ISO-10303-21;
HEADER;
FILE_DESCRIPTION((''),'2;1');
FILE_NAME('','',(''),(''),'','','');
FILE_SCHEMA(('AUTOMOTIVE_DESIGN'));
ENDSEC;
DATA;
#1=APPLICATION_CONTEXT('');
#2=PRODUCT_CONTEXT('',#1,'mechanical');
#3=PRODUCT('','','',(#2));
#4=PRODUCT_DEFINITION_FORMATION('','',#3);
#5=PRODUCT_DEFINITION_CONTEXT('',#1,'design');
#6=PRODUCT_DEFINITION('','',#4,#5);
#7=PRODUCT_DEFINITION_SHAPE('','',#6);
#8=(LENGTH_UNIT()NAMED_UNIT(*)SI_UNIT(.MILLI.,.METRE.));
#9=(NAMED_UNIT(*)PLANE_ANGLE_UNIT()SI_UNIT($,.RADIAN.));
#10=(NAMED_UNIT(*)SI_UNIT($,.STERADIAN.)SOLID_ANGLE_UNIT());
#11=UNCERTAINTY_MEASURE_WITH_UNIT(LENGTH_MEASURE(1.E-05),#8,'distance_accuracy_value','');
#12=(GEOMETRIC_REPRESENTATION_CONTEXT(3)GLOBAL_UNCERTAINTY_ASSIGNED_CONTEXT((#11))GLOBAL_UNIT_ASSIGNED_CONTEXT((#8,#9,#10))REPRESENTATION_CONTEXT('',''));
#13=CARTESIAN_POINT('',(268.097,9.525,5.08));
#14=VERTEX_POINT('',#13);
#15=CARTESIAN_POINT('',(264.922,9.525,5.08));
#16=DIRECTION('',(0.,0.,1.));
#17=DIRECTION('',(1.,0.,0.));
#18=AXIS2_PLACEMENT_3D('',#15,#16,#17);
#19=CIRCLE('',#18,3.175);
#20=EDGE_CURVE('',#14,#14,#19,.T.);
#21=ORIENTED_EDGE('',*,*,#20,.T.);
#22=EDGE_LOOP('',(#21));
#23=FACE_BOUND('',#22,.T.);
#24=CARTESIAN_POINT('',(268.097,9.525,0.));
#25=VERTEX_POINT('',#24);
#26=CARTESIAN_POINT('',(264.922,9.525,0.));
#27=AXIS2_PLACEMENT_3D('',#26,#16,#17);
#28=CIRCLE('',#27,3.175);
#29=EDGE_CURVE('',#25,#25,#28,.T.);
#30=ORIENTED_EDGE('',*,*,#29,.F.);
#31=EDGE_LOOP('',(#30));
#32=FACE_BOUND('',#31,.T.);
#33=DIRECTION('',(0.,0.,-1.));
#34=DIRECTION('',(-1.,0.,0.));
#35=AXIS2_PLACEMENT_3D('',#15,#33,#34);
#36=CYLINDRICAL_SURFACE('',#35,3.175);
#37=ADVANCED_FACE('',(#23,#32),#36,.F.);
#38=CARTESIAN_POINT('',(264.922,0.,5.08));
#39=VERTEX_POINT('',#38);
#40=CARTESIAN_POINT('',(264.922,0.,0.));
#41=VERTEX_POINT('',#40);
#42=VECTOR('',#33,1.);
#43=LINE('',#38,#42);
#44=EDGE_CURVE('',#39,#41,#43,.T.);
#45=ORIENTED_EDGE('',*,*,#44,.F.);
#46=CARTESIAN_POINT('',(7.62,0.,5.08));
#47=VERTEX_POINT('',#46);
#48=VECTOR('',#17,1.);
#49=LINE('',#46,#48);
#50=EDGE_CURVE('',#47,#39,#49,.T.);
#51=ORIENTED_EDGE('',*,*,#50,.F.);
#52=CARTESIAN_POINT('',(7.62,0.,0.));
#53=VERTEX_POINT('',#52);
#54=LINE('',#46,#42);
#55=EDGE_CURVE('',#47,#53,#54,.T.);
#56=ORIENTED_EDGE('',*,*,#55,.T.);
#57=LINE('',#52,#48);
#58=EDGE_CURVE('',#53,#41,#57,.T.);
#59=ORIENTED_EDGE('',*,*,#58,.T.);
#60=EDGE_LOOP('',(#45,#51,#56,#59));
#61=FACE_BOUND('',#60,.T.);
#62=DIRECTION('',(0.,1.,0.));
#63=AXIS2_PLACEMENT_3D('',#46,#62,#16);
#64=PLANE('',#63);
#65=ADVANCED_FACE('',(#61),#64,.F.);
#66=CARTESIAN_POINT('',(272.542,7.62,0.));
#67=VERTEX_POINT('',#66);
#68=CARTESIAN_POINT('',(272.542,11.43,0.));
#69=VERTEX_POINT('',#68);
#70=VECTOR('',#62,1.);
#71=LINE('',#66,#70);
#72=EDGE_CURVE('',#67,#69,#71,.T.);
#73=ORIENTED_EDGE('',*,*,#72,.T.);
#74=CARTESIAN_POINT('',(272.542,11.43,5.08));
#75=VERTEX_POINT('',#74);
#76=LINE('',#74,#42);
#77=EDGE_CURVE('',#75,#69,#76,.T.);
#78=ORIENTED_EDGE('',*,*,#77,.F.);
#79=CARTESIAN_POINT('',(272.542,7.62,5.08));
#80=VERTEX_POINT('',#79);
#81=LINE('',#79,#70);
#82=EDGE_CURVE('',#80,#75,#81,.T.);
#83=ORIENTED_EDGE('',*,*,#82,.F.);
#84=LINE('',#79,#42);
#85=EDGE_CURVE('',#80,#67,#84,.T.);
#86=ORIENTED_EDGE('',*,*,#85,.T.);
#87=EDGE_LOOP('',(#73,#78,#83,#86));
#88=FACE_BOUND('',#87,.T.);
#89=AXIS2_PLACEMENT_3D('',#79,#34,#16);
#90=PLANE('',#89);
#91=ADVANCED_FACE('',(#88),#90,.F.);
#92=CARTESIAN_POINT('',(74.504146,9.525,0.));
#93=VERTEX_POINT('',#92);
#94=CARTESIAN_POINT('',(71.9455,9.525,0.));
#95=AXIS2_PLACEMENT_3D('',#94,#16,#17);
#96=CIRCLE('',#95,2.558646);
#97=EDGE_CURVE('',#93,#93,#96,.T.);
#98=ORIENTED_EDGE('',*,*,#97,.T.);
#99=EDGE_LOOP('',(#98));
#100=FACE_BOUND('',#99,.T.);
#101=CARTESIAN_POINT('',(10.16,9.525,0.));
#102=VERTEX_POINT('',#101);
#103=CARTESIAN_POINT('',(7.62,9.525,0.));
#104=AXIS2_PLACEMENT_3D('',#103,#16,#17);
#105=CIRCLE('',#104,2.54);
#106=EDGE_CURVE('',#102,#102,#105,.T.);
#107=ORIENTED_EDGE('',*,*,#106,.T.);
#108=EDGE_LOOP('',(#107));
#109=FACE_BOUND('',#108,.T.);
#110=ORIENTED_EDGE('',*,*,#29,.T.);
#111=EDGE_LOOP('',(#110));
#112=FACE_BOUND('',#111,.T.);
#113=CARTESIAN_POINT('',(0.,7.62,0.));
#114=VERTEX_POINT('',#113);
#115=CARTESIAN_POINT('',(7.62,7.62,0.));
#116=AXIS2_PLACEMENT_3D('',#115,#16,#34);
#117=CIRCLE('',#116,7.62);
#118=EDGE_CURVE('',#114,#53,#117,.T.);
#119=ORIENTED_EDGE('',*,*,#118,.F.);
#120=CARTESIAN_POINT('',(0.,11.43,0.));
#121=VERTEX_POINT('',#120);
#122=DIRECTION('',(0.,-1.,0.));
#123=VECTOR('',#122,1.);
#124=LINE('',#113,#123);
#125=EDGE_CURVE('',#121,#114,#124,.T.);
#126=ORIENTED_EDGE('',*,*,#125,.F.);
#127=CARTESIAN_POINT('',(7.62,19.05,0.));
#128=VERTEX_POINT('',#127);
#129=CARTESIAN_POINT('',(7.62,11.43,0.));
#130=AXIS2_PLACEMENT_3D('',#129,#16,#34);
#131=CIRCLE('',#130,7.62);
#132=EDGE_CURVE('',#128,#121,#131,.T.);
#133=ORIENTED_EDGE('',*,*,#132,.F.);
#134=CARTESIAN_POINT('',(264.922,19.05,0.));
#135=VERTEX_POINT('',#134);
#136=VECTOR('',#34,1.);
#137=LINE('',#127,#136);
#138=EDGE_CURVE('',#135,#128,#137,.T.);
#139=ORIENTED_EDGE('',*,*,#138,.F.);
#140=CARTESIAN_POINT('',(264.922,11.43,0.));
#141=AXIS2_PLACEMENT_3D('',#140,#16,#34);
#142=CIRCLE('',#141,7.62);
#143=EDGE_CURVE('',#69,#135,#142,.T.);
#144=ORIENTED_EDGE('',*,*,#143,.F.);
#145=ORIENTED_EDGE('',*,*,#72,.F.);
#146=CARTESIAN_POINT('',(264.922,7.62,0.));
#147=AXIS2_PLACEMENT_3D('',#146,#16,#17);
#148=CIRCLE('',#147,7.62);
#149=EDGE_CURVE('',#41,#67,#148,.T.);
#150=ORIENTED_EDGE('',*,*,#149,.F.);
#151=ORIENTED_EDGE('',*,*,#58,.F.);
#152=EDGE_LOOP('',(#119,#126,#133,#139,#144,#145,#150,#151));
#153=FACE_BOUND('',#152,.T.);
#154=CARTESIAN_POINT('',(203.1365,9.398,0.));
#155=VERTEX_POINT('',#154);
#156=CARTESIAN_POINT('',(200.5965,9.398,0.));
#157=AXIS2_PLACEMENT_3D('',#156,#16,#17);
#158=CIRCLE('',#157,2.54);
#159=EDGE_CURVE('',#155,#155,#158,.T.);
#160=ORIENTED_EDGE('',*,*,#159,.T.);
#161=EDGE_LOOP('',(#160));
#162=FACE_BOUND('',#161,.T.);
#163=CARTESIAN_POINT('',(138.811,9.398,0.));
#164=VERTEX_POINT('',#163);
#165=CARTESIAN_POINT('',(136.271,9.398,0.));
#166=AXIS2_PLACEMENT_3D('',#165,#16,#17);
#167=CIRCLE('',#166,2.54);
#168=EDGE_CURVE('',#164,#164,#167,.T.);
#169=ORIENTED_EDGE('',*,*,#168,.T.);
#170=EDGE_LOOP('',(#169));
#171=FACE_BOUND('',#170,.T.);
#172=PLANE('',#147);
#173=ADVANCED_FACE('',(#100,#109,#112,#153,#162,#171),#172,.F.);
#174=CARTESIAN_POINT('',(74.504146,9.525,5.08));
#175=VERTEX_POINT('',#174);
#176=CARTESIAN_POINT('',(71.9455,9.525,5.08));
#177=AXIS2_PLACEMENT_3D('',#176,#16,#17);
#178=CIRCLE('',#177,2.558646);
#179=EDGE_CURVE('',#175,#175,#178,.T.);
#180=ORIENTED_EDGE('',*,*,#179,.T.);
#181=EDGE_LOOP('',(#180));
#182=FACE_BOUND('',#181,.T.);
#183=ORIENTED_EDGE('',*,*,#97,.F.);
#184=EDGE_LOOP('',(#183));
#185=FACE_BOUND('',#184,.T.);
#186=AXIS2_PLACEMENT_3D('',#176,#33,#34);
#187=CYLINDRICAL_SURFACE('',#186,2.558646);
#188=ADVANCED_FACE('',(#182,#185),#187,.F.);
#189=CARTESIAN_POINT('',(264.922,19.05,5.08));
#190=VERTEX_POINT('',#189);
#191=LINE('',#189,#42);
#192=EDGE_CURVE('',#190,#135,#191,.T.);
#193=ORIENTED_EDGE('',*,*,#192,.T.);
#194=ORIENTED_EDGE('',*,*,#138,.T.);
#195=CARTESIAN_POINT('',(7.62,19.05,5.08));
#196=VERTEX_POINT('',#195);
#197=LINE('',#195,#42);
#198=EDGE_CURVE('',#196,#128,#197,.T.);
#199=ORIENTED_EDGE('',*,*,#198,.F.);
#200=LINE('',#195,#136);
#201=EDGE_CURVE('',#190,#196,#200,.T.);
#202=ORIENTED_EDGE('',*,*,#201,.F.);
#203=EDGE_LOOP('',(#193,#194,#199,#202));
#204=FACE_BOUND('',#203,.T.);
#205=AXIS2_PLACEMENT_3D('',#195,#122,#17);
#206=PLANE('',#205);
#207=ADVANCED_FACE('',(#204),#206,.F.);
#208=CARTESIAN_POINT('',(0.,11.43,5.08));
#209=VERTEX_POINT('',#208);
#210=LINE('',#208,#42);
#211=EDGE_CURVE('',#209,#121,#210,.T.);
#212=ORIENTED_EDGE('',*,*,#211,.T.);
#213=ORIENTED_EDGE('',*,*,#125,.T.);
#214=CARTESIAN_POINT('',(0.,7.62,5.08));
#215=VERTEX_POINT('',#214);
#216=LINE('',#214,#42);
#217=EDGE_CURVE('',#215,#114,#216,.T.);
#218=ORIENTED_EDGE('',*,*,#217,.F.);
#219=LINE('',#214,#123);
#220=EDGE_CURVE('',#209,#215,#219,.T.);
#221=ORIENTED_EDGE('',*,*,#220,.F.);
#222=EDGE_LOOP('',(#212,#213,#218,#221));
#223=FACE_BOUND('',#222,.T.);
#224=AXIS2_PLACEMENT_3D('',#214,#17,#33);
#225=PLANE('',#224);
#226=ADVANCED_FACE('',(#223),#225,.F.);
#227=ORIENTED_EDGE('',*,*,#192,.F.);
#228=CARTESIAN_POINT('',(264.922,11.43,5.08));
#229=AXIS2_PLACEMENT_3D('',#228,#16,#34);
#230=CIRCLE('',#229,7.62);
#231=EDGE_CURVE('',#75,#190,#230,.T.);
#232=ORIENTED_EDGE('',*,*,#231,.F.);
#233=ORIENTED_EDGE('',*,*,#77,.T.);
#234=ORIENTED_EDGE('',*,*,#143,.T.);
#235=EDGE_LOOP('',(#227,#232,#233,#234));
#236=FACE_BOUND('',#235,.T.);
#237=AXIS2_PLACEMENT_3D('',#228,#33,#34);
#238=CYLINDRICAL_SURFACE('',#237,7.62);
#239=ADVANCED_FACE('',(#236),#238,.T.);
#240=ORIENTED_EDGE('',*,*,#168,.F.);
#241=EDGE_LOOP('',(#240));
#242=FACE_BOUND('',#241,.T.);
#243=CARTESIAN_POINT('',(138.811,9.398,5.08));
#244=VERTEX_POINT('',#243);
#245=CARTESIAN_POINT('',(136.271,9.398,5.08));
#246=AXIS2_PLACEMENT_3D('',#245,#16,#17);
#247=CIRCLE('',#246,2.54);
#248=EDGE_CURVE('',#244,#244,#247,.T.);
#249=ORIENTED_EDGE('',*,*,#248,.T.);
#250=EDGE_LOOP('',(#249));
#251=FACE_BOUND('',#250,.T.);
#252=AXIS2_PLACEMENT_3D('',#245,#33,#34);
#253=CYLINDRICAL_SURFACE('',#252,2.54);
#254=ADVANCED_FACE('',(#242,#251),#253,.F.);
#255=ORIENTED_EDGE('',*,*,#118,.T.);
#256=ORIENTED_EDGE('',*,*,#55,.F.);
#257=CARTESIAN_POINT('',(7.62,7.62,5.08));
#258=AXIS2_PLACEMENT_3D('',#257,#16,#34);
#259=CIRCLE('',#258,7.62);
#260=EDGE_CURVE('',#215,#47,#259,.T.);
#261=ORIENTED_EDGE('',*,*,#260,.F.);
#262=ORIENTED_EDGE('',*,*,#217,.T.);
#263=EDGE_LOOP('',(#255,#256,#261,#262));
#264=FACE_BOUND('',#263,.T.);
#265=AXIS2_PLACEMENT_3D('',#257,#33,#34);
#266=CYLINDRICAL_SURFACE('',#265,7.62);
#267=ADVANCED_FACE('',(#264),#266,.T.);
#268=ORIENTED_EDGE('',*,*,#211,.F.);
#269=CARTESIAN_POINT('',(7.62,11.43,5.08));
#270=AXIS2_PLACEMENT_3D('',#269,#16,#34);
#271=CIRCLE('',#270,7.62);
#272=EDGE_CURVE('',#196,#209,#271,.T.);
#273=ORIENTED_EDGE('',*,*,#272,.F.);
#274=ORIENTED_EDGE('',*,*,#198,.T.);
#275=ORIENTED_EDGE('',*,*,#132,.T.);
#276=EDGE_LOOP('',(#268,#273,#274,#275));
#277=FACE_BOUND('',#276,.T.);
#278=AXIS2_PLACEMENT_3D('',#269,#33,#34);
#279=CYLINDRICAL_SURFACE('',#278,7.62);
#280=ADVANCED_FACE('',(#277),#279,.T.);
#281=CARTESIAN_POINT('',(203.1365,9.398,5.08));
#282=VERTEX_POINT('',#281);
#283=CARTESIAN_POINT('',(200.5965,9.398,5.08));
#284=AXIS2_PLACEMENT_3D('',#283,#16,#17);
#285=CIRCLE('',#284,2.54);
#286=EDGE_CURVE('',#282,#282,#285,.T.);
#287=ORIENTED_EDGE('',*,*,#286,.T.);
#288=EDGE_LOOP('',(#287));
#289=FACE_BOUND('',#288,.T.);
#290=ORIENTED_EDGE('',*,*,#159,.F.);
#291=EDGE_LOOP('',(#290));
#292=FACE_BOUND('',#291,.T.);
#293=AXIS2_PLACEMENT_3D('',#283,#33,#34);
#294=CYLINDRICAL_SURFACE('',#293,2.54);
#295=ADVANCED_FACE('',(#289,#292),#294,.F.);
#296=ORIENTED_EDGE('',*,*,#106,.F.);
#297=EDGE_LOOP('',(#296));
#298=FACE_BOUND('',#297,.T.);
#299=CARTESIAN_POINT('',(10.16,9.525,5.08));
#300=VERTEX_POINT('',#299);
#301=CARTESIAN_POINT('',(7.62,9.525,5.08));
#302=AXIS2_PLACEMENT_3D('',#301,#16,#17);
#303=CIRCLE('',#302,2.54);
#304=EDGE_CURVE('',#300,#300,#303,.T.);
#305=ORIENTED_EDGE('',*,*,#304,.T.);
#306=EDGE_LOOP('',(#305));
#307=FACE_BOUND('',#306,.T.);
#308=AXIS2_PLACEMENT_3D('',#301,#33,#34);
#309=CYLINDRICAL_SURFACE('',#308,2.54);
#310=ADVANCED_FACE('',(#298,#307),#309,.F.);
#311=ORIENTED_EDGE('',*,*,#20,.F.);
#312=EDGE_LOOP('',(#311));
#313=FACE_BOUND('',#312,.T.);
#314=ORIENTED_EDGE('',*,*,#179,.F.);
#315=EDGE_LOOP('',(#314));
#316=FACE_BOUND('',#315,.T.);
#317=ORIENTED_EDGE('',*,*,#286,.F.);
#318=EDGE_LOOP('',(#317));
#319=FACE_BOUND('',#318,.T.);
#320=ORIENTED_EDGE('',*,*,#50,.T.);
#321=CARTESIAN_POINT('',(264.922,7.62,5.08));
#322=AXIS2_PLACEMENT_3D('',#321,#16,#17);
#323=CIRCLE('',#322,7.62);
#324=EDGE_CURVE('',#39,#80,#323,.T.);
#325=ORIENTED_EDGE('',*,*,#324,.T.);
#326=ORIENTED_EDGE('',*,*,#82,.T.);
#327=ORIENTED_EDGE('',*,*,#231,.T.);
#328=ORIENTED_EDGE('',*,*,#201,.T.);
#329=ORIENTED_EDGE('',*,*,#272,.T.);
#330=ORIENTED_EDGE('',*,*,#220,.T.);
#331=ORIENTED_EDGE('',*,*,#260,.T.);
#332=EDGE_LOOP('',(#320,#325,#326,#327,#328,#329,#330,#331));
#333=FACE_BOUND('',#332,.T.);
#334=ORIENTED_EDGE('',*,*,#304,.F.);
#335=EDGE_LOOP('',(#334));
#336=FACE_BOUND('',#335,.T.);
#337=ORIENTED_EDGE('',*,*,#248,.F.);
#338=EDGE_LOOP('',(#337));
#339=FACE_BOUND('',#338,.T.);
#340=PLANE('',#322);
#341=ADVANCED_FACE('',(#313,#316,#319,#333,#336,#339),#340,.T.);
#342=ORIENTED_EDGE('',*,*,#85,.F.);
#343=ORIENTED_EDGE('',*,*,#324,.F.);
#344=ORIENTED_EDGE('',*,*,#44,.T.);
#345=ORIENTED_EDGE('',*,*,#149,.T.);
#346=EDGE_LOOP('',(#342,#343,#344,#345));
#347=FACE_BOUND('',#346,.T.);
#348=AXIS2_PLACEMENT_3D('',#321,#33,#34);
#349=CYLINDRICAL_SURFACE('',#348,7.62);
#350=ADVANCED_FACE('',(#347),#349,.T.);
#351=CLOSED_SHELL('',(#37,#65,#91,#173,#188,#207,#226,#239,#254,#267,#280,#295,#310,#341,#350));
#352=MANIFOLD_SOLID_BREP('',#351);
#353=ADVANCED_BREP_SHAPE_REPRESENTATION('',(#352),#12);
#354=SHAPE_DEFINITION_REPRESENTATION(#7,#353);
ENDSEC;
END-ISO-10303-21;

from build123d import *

# Parameters (mm, degrees)
SKETCH1_R           = 3.175
SKETCH1_R_2         = 2.54
SKETCH1_R_3         = 2.558645837
BOSS_EXTRUDE1_DEPTH = 5.08


with BuildPart() as part:
    # Sketch1 → Boss-Extrude1 (new body)
    with BuildSketch(Plane.XY):
        with BuildLine():
            Line((7.62, 0), (264.922, 0))
            ThreePointArc((264.922, 0), (270.310153673, 2.231846327), (272.542, 7.62))
            Line((272.542, 7.62), (272.542, 11.43))
            ThreePointArc((272.542, 11.43), (270.310153673, 16.818153673), (264.922, 19.05))
            Line((264.922, 19.05), (7.62, 19.05))
            ThreePointArc((7.62, 19.05), (2.231846327, 16.818153673), (0, 11.43))
            Line((0, 11.43), (0, 7.62))
            ThreePointArc((0, 7.62), (2.231846327, 2.231846327), (7.62, 0))
        make_face()
        with Locations((264.922, 9.525)):
            Circle(SKETCH1_R, mode=Mode.SUBTRACT)
        with Locations((7.62, 9.525)):
            Circle(SKETCH1_R_2, mode=Mode.SUBTRACT)
        with Locations((71.9455, 9.525)):
            Circle(SKETCH1_R_3, mode=Mode.SUBTRACT)
        with Locations((136.271, 9.398)):
            Circle(SKETCH1_R_2, mode=Mode.SUBTRACT)
        with Locations((200.5965, 9.398)):
            Circle(SKETCH1_R_2, mode=Mode.SUBTRACT)
    extrude(amount=BOSS_EXTRUDE1_DEPTH)


solid = part.part
